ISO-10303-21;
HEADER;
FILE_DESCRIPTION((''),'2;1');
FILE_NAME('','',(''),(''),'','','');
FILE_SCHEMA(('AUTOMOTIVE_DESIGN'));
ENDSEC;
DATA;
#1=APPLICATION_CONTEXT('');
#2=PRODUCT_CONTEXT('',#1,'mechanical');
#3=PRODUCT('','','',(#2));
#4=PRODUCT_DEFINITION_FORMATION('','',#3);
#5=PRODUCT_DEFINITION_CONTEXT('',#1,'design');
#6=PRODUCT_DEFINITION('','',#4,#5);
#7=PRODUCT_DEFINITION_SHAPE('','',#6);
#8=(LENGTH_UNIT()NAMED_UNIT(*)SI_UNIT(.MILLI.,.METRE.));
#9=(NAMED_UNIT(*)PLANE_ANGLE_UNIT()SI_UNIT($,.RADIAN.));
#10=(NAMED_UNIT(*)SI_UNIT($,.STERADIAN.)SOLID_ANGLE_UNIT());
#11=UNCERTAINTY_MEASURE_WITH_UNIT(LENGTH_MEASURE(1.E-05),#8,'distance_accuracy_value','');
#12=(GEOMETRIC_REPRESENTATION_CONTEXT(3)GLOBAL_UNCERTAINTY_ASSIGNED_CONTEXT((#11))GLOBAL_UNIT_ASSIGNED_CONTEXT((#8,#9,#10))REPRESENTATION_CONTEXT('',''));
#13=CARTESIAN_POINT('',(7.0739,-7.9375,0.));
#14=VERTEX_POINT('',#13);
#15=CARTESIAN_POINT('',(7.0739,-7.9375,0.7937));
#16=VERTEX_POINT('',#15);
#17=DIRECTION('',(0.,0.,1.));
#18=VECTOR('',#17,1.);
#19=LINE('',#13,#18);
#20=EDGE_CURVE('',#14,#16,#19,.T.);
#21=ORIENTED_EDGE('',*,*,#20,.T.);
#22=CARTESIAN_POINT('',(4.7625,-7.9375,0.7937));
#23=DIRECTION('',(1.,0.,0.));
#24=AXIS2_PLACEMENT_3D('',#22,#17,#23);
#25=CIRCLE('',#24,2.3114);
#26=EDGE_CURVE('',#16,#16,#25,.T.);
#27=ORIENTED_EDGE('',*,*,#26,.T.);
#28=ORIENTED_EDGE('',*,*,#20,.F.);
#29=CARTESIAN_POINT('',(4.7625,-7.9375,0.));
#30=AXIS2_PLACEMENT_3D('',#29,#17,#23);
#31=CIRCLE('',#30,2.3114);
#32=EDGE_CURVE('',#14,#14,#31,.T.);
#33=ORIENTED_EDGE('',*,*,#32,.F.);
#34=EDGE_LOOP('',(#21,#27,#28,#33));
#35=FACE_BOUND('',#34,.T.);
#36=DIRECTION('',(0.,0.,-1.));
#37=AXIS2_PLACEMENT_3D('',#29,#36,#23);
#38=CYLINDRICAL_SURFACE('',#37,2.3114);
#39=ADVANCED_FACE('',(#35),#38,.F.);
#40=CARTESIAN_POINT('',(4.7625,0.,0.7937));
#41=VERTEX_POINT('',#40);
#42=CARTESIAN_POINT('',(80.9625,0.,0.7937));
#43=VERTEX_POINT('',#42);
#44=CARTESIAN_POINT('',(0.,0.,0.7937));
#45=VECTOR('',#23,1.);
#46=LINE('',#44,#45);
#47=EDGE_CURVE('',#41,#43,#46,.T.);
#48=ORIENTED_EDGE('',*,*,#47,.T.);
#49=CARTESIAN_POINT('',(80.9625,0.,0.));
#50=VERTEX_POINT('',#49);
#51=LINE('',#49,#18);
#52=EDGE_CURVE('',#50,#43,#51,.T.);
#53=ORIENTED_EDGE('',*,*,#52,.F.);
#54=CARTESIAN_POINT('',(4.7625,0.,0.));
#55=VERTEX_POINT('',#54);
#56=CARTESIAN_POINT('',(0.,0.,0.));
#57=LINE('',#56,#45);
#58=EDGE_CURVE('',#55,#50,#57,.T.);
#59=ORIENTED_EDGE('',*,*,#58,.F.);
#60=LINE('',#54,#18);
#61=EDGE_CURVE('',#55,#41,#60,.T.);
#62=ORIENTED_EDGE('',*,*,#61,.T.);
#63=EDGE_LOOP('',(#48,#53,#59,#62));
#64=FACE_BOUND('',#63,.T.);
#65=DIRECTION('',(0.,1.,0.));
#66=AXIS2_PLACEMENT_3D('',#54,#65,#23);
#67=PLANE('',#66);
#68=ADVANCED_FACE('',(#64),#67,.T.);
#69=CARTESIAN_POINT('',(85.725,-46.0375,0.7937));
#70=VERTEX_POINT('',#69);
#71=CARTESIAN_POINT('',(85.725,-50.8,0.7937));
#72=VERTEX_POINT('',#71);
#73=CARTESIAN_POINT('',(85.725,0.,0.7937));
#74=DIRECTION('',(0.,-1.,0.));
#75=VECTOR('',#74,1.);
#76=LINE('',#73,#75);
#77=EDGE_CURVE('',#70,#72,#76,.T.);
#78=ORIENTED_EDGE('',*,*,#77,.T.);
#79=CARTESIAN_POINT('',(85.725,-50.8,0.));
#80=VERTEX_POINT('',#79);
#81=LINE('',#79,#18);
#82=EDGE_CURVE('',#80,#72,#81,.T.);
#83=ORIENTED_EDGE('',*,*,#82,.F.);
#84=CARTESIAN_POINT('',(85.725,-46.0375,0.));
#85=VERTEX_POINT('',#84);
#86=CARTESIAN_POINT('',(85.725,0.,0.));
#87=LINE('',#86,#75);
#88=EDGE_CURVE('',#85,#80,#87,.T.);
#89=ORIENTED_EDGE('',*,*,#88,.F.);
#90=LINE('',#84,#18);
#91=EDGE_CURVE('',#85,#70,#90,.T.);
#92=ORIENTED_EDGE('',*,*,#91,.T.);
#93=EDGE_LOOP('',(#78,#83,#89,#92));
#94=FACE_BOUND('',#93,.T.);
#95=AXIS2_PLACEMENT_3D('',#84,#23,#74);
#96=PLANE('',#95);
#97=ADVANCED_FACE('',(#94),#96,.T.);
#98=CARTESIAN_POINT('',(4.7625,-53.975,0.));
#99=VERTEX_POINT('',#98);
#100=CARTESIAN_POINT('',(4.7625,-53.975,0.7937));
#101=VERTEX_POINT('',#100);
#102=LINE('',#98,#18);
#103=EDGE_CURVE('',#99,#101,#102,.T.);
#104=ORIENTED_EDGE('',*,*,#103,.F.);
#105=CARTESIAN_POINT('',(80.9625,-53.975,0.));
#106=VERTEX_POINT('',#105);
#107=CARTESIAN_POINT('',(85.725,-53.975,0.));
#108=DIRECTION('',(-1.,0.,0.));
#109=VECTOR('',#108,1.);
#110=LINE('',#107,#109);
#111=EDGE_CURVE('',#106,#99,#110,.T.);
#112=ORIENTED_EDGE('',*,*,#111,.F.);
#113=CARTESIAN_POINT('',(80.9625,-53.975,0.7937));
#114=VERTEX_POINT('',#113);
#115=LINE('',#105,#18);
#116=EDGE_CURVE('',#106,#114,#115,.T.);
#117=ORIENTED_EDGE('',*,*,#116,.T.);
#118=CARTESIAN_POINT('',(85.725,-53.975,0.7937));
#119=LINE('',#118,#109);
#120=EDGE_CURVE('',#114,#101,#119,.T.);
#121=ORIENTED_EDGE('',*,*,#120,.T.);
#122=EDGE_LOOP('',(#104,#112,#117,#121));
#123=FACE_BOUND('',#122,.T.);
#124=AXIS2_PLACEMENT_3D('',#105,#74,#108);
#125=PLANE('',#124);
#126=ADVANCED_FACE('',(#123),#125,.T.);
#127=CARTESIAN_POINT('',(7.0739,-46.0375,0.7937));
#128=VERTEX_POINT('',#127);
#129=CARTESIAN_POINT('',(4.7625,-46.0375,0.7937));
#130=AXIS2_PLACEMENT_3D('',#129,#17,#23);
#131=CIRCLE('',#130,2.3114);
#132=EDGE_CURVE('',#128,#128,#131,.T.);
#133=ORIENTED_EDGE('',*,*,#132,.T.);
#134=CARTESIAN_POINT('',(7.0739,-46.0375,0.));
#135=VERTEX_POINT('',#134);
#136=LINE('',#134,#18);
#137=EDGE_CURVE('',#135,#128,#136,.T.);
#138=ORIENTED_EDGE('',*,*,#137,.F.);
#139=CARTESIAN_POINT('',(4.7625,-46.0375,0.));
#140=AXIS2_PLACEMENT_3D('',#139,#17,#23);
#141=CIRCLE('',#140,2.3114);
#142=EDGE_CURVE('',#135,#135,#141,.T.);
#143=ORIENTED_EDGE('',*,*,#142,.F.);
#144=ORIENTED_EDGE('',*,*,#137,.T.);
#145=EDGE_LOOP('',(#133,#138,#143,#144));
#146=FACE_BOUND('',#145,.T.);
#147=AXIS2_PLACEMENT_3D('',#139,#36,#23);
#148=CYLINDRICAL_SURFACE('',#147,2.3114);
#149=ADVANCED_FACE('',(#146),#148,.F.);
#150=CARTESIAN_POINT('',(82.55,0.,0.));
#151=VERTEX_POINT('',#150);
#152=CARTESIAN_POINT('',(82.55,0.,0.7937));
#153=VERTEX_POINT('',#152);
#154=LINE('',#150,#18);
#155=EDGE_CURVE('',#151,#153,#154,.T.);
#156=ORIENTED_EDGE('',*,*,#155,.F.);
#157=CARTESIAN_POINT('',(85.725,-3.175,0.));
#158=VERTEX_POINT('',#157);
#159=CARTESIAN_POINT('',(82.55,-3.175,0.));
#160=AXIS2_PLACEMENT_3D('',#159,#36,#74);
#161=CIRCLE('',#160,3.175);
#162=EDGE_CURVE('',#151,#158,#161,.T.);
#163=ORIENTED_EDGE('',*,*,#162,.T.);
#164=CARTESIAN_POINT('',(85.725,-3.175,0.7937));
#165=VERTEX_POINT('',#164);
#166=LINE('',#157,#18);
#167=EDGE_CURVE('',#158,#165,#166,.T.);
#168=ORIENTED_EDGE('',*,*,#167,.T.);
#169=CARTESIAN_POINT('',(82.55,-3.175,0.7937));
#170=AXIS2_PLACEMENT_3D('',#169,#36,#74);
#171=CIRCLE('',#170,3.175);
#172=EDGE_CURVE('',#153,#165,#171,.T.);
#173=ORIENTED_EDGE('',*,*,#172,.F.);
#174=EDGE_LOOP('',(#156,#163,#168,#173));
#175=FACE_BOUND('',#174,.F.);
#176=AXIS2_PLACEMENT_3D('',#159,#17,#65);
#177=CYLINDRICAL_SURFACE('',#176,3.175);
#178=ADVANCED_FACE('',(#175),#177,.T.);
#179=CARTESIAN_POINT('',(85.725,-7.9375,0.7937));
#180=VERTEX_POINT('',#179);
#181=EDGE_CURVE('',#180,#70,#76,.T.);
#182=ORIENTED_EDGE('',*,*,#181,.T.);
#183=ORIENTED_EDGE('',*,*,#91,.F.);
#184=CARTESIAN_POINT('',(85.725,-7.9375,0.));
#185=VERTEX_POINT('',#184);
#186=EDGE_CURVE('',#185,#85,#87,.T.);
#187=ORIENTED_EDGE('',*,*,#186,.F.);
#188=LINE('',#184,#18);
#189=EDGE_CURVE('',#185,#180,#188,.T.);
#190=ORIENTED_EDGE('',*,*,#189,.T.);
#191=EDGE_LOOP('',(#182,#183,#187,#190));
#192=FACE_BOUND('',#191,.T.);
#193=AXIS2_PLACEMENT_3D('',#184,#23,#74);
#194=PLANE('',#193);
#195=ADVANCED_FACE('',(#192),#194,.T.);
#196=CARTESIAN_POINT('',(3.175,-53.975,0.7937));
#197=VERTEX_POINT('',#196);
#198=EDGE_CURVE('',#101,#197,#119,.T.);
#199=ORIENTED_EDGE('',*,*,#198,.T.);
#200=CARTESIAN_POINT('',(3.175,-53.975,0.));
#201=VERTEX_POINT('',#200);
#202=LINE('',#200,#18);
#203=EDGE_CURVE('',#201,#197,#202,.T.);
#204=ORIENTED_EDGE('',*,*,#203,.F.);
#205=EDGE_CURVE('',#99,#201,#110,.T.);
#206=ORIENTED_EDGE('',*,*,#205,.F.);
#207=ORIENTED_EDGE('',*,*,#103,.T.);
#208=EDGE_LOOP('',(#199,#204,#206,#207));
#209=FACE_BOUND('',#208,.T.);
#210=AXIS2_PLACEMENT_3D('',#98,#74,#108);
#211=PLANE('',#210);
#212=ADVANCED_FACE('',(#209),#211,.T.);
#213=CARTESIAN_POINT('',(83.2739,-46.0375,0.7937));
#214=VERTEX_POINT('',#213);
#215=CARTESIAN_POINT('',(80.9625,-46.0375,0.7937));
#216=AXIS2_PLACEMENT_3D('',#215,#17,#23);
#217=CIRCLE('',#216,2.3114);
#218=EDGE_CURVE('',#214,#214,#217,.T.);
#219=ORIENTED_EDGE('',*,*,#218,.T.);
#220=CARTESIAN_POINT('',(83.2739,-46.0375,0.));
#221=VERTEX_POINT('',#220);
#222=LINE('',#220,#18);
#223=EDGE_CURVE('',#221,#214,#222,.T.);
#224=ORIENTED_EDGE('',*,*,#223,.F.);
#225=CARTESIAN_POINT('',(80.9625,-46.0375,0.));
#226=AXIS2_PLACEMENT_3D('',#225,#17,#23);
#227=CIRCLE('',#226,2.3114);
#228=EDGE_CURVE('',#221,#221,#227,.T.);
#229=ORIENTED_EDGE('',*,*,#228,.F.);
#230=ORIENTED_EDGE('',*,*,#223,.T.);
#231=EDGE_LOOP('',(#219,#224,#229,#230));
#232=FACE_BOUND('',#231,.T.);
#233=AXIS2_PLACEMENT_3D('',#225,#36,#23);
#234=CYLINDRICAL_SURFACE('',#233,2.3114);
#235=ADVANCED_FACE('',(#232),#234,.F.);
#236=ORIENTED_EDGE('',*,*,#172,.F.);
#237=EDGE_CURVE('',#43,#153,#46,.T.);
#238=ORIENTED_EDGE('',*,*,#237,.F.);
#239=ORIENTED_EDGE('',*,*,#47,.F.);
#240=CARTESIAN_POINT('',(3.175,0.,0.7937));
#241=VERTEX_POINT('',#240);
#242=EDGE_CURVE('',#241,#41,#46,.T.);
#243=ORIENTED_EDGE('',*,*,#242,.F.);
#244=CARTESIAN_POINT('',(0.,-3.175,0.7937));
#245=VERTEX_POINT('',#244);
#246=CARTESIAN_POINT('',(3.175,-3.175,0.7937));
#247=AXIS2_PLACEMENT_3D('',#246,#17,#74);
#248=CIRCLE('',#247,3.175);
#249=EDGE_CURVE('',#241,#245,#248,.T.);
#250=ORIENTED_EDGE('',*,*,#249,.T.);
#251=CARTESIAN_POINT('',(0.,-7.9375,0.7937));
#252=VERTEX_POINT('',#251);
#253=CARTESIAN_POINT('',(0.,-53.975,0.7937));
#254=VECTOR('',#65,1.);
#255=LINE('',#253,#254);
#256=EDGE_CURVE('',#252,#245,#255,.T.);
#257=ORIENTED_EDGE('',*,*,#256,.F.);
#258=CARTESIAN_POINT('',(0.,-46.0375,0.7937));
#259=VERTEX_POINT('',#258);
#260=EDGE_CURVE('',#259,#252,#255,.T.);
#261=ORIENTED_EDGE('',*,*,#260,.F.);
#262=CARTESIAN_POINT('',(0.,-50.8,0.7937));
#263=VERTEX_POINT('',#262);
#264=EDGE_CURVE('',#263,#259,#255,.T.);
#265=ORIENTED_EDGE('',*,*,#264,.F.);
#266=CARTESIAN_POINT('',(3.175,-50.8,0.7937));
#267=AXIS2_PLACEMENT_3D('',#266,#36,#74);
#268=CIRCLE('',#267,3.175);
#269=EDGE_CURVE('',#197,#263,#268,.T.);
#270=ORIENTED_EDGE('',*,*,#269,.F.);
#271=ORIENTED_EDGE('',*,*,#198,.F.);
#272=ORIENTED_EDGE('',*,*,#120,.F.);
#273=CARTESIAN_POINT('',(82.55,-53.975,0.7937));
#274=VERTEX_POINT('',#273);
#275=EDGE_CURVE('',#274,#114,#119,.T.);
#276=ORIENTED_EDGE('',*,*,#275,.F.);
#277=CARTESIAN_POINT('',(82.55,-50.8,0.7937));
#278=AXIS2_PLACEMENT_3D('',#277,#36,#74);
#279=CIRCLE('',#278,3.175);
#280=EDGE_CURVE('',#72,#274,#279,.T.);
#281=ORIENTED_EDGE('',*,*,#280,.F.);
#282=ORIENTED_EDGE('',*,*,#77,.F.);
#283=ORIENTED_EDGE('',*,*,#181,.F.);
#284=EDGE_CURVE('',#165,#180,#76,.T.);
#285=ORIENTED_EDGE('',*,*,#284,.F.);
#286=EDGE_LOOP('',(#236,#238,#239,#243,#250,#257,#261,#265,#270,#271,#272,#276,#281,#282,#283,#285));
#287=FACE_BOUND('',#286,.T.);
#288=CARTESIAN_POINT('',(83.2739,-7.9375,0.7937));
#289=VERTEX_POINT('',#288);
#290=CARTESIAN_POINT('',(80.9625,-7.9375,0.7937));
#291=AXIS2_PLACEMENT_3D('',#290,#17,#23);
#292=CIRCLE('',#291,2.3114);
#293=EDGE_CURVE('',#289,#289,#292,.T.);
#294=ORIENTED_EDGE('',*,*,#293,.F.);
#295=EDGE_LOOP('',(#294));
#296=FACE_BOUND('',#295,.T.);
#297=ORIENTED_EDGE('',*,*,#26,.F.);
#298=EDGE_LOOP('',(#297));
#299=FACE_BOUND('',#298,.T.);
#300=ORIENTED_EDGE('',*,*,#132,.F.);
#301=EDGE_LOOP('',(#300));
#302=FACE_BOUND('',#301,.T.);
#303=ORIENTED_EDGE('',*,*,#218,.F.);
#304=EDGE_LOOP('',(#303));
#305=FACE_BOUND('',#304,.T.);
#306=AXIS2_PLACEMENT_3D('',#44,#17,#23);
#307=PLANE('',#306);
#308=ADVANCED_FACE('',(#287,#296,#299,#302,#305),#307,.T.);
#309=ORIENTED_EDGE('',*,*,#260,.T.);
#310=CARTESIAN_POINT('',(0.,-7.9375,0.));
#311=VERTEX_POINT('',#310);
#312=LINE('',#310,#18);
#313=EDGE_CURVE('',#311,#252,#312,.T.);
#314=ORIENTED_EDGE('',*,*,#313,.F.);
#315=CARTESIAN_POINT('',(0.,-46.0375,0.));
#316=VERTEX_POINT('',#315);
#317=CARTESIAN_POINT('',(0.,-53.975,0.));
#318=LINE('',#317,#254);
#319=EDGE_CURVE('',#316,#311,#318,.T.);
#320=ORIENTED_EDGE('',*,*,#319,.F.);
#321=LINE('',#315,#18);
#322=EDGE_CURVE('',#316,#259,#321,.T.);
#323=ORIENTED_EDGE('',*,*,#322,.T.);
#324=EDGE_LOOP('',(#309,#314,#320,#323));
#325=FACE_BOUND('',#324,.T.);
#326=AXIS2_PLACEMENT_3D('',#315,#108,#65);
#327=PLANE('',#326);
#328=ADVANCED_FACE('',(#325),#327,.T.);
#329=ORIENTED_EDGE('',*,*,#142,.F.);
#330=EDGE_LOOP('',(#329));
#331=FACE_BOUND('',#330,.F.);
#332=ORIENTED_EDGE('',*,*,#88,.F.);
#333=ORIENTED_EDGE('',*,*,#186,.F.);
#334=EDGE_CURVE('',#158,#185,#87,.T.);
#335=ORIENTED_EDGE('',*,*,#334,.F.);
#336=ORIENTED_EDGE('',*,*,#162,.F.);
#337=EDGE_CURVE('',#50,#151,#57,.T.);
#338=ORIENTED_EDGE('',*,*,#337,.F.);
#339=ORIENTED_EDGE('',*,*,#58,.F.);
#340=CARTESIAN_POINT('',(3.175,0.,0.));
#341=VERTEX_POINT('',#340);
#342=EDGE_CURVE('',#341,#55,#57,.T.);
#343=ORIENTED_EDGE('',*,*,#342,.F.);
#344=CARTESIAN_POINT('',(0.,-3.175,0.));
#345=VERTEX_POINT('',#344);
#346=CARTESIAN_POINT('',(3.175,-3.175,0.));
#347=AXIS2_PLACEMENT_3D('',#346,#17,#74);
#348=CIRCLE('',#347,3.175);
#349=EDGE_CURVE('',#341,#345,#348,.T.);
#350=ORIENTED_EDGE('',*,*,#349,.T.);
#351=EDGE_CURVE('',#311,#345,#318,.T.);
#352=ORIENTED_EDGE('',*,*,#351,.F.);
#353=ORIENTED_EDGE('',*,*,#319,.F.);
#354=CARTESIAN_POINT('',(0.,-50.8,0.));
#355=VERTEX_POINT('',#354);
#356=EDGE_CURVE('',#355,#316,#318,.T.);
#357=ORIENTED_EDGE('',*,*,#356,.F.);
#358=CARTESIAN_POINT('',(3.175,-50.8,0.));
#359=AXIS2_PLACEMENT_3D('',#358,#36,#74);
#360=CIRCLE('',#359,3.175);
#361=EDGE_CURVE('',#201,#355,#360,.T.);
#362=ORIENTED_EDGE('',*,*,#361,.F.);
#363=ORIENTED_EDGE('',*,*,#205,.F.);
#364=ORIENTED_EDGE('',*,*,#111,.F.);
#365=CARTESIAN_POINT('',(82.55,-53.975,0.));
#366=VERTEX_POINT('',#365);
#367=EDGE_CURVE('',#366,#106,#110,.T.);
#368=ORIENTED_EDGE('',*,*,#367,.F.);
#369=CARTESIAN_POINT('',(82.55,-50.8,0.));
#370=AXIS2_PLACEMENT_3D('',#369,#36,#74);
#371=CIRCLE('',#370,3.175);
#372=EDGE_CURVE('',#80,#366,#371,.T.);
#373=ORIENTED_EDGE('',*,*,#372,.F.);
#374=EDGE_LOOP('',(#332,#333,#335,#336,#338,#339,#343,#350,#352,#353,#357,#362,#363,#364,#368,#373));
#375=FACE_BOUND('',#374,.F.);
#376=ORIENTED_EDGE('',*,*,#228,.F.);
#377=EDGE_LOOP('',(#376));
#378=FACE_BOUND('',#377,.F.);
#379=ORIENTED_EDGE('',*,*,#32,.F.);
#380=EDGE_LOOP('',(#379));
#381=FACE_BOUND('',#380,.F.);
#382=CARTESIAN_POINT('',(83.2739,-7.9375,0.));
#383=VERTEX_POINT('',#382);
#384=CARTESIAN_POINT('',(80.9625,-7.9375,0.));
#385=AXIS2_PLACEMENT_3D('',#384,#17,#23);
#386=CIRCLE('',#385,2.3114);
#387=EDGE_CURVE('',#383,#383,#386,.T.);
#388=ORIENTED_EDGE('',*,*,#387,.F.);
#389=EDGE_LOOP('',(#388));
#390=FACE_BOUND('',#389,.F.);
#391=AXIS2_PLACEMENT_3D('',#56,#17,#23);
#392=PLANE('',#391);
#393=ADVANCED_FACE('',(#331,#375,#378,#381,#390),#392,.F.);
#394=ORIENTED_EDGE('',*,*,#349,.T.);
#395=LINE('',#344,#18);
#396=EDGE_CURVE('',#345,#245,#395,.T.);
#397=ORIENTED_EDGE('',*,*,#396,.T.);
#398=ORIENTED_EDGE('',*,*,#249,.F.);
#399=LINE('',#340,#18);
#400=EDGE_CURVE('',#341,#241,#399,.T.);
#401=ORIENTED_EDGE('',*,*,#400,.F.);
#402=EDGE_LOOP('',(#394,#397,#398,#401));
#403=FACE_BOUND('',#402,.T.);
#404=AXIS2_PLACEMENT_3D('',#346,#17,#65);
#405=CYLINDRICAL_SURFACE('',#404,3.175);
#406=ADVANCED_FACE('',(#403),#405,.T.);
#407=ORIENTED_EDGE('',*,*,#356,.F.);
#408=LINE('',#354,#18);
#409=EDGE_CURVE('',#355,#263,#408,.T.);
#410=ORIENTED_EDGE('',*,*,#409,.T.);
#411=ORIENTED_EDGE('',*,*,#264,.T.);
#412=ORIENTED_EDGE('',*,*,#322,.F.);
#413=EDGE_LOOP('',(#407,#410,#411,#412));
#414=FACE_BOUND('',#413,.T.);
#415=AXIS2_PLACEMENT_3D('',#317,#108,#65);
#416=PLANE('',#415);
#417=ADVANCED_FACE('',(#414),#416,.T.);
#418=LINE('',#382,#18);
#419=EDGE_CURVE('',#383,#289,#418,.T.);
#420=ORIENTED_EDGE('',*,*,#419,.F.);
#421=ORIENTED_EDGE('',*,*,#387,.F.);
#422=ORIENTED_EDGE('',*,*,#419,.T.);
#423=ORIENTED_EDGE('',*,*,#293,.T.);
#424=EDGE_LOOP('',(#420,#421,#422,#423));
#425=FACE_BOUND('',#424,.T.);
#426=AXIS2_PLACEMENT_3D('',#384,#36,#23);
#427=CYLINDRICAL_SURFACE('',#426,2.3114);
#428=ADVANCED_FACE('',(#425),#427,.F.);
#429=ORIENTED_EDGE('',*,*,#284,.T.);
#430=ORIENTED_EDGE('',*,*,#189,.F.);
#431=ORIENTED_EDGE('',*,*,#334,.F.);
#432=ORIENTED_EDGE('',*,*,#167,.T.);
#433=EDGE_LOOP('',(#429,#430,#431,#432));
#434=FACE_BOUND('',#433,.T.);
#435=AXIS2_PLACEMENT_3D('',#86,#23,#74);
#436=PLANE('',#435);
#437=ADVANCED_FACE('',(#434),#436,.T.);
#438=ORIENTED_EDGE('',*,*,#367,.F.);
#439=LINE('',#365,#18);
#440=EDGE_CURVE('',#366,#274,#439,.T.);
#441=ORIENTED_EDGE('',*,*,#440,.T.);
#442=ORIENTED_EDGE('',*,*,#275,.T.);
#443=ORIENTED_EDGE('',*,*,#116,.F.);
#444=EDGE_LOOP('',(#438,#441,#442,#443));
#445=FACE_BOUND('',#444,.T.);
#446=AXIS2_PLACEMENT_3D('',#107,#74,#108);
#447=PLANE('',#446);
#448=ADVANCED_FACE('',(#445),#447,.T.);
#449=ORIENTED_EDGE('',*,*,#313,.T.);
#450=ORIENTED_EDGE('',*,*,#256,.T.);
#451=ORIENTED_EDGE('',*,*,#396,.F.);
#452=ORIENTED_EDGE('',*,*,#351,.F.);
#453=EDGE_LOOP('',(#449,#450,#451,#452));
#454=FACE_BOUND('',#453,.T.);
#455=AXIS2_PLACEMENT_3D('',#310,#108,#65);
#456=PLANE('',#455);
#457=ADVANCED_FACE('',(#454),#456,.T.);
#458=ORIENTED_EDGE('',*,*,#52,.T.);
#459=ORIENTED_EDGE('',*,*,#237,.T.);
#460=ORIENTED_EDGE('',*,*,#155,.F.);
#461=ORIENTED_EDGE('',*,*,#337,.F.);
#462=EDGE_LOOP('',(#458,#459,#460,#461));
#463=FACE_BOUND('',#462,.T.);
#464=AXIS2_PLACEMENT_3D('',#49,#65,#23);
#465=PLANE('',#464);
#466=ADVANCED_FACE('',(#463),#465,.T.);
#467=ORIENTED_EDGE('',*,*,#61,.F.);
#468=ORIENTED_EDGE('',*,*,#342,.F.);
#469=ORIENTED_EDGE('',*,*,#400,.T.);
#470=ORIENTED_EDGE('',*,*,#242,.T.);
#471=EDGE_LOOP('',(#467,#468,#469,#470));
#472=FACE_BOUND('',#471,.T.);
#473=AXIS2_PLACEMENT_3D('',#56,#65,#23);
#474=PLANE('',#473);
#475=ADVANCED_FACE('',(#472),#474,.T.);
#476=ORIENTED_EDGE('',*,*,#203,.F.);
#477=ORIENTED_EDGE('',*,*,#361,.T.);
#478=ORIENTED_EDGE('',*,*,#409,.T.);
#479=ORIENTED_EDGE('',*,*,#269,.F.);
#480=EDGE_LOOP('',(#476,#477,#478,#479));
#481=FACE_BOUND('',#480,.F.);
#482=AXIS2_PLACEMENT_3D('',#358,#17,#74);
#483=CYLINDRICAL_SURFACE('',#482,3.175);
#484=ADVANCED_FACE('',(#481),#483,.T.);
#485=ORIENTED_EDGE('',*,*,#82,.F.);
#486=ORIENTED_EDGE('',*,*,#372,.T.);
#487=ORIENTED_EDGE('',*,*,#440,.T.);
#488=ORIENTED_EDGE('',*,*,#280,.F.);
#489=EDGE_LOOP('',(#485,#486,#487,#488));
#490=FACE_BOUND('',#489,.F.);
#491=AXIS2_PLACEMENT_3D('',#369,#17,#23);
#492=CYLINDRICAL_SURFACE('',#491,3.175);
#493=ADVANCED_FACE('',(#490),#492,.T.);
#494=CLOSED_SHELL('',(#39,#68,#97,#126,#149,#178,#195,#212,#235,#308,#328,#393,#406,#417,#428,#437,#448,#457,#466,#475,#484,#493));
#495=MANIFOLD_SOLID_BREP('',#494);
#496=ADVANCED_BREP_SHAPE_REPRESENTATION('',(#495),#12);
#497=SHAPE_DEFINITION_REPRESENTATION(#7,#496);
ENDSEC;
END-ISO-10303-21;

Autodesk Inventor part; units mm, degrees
ref_plane "YZ Plane" through (0, 0, 0) normal (1, 0, 0) x (0, 1, 0)
ref_plane "XZ Plane" through (0, 0, 0) normal (0, 1, 0) x (-1, 0, 0)
sketch "Sketch1" plane through (0, 0, 0) normal (0, 0, 1) x (1, 0, 0)
  line L0 (0, 0) -> (85.725, 0)
  line L1 (85.725, 0) -> (85.725, -53.975)
  line L2 (85.725, -53.975) -> (0, -53.975)
  line L3 (0, -53.975) -> (0, 0)
  line L4 (0, 0) -> (4.7625, 0)
  line L5 (0, -7.9375) -> (0, 0)
  line L6 (0, -53.975) -> (4.7625, -53.975)
  line L7 (0, -46.0375) -> (0, -53.975)
  line L8 (85.725, 0) -> (80.9625, 0)
  line L9 (85.725, -7.9375) -> (85.725, 0)
  line L10 (85.725, -53.975) -> (80.9625, -53.975)
  line L11 (85.725, -46.0375) -> (85.725, -53.975)
  circle A0 centre (80.9625, -46.0375) radius 2.3114
  circle A1 centre (80.9625, -7.9375) radius 2.3114
  circle A2 centre (4.7625, -7.9375) radius 2.3114
  circle A3 centre (4.7625, -46.0375) radius 2.3114
  dimension "d0" = 85.725
  dimension "d1" = 53.975
  dimension "d10" = 4.6228
  dimension "d11" = 4.6228
  dimension "d12" = 4.6228
  dimension "d13" = 4.6228
extrude "Extrusion2" add sketch "Sketch1" along normal blind 0.7937
fillet "Fillet1" radius 3.175 4 edges at (0, 0, 0.3969) (0, -53.975, 0.3969) (85.725, 0, 0.3969) (85.725, -53.975, 0.3969)
ref_plane "Work Plane2" through (1.5748, -52.4002, 1.0732) normal (0, 0, 1) x (1, 0, 0)
sketch "Sketch12" plane through (0, 0, 0.7937) normal (0, 0, 1) x (1, 0, 0)
  line L0 (0.9299, -0.9299) -> (84.6106, -0.6351) construction
  line L1 (84.6106, -0.6351) -> (84.7953, -53.0451) construction
  line L2 (84.7953, -53.0451) -> (1.1146, -53.3399) construction
  line L3 (1.1146, -53.3399) -> (0.9299, -0.9299) construction
properties part number "1103 ID Plate"
